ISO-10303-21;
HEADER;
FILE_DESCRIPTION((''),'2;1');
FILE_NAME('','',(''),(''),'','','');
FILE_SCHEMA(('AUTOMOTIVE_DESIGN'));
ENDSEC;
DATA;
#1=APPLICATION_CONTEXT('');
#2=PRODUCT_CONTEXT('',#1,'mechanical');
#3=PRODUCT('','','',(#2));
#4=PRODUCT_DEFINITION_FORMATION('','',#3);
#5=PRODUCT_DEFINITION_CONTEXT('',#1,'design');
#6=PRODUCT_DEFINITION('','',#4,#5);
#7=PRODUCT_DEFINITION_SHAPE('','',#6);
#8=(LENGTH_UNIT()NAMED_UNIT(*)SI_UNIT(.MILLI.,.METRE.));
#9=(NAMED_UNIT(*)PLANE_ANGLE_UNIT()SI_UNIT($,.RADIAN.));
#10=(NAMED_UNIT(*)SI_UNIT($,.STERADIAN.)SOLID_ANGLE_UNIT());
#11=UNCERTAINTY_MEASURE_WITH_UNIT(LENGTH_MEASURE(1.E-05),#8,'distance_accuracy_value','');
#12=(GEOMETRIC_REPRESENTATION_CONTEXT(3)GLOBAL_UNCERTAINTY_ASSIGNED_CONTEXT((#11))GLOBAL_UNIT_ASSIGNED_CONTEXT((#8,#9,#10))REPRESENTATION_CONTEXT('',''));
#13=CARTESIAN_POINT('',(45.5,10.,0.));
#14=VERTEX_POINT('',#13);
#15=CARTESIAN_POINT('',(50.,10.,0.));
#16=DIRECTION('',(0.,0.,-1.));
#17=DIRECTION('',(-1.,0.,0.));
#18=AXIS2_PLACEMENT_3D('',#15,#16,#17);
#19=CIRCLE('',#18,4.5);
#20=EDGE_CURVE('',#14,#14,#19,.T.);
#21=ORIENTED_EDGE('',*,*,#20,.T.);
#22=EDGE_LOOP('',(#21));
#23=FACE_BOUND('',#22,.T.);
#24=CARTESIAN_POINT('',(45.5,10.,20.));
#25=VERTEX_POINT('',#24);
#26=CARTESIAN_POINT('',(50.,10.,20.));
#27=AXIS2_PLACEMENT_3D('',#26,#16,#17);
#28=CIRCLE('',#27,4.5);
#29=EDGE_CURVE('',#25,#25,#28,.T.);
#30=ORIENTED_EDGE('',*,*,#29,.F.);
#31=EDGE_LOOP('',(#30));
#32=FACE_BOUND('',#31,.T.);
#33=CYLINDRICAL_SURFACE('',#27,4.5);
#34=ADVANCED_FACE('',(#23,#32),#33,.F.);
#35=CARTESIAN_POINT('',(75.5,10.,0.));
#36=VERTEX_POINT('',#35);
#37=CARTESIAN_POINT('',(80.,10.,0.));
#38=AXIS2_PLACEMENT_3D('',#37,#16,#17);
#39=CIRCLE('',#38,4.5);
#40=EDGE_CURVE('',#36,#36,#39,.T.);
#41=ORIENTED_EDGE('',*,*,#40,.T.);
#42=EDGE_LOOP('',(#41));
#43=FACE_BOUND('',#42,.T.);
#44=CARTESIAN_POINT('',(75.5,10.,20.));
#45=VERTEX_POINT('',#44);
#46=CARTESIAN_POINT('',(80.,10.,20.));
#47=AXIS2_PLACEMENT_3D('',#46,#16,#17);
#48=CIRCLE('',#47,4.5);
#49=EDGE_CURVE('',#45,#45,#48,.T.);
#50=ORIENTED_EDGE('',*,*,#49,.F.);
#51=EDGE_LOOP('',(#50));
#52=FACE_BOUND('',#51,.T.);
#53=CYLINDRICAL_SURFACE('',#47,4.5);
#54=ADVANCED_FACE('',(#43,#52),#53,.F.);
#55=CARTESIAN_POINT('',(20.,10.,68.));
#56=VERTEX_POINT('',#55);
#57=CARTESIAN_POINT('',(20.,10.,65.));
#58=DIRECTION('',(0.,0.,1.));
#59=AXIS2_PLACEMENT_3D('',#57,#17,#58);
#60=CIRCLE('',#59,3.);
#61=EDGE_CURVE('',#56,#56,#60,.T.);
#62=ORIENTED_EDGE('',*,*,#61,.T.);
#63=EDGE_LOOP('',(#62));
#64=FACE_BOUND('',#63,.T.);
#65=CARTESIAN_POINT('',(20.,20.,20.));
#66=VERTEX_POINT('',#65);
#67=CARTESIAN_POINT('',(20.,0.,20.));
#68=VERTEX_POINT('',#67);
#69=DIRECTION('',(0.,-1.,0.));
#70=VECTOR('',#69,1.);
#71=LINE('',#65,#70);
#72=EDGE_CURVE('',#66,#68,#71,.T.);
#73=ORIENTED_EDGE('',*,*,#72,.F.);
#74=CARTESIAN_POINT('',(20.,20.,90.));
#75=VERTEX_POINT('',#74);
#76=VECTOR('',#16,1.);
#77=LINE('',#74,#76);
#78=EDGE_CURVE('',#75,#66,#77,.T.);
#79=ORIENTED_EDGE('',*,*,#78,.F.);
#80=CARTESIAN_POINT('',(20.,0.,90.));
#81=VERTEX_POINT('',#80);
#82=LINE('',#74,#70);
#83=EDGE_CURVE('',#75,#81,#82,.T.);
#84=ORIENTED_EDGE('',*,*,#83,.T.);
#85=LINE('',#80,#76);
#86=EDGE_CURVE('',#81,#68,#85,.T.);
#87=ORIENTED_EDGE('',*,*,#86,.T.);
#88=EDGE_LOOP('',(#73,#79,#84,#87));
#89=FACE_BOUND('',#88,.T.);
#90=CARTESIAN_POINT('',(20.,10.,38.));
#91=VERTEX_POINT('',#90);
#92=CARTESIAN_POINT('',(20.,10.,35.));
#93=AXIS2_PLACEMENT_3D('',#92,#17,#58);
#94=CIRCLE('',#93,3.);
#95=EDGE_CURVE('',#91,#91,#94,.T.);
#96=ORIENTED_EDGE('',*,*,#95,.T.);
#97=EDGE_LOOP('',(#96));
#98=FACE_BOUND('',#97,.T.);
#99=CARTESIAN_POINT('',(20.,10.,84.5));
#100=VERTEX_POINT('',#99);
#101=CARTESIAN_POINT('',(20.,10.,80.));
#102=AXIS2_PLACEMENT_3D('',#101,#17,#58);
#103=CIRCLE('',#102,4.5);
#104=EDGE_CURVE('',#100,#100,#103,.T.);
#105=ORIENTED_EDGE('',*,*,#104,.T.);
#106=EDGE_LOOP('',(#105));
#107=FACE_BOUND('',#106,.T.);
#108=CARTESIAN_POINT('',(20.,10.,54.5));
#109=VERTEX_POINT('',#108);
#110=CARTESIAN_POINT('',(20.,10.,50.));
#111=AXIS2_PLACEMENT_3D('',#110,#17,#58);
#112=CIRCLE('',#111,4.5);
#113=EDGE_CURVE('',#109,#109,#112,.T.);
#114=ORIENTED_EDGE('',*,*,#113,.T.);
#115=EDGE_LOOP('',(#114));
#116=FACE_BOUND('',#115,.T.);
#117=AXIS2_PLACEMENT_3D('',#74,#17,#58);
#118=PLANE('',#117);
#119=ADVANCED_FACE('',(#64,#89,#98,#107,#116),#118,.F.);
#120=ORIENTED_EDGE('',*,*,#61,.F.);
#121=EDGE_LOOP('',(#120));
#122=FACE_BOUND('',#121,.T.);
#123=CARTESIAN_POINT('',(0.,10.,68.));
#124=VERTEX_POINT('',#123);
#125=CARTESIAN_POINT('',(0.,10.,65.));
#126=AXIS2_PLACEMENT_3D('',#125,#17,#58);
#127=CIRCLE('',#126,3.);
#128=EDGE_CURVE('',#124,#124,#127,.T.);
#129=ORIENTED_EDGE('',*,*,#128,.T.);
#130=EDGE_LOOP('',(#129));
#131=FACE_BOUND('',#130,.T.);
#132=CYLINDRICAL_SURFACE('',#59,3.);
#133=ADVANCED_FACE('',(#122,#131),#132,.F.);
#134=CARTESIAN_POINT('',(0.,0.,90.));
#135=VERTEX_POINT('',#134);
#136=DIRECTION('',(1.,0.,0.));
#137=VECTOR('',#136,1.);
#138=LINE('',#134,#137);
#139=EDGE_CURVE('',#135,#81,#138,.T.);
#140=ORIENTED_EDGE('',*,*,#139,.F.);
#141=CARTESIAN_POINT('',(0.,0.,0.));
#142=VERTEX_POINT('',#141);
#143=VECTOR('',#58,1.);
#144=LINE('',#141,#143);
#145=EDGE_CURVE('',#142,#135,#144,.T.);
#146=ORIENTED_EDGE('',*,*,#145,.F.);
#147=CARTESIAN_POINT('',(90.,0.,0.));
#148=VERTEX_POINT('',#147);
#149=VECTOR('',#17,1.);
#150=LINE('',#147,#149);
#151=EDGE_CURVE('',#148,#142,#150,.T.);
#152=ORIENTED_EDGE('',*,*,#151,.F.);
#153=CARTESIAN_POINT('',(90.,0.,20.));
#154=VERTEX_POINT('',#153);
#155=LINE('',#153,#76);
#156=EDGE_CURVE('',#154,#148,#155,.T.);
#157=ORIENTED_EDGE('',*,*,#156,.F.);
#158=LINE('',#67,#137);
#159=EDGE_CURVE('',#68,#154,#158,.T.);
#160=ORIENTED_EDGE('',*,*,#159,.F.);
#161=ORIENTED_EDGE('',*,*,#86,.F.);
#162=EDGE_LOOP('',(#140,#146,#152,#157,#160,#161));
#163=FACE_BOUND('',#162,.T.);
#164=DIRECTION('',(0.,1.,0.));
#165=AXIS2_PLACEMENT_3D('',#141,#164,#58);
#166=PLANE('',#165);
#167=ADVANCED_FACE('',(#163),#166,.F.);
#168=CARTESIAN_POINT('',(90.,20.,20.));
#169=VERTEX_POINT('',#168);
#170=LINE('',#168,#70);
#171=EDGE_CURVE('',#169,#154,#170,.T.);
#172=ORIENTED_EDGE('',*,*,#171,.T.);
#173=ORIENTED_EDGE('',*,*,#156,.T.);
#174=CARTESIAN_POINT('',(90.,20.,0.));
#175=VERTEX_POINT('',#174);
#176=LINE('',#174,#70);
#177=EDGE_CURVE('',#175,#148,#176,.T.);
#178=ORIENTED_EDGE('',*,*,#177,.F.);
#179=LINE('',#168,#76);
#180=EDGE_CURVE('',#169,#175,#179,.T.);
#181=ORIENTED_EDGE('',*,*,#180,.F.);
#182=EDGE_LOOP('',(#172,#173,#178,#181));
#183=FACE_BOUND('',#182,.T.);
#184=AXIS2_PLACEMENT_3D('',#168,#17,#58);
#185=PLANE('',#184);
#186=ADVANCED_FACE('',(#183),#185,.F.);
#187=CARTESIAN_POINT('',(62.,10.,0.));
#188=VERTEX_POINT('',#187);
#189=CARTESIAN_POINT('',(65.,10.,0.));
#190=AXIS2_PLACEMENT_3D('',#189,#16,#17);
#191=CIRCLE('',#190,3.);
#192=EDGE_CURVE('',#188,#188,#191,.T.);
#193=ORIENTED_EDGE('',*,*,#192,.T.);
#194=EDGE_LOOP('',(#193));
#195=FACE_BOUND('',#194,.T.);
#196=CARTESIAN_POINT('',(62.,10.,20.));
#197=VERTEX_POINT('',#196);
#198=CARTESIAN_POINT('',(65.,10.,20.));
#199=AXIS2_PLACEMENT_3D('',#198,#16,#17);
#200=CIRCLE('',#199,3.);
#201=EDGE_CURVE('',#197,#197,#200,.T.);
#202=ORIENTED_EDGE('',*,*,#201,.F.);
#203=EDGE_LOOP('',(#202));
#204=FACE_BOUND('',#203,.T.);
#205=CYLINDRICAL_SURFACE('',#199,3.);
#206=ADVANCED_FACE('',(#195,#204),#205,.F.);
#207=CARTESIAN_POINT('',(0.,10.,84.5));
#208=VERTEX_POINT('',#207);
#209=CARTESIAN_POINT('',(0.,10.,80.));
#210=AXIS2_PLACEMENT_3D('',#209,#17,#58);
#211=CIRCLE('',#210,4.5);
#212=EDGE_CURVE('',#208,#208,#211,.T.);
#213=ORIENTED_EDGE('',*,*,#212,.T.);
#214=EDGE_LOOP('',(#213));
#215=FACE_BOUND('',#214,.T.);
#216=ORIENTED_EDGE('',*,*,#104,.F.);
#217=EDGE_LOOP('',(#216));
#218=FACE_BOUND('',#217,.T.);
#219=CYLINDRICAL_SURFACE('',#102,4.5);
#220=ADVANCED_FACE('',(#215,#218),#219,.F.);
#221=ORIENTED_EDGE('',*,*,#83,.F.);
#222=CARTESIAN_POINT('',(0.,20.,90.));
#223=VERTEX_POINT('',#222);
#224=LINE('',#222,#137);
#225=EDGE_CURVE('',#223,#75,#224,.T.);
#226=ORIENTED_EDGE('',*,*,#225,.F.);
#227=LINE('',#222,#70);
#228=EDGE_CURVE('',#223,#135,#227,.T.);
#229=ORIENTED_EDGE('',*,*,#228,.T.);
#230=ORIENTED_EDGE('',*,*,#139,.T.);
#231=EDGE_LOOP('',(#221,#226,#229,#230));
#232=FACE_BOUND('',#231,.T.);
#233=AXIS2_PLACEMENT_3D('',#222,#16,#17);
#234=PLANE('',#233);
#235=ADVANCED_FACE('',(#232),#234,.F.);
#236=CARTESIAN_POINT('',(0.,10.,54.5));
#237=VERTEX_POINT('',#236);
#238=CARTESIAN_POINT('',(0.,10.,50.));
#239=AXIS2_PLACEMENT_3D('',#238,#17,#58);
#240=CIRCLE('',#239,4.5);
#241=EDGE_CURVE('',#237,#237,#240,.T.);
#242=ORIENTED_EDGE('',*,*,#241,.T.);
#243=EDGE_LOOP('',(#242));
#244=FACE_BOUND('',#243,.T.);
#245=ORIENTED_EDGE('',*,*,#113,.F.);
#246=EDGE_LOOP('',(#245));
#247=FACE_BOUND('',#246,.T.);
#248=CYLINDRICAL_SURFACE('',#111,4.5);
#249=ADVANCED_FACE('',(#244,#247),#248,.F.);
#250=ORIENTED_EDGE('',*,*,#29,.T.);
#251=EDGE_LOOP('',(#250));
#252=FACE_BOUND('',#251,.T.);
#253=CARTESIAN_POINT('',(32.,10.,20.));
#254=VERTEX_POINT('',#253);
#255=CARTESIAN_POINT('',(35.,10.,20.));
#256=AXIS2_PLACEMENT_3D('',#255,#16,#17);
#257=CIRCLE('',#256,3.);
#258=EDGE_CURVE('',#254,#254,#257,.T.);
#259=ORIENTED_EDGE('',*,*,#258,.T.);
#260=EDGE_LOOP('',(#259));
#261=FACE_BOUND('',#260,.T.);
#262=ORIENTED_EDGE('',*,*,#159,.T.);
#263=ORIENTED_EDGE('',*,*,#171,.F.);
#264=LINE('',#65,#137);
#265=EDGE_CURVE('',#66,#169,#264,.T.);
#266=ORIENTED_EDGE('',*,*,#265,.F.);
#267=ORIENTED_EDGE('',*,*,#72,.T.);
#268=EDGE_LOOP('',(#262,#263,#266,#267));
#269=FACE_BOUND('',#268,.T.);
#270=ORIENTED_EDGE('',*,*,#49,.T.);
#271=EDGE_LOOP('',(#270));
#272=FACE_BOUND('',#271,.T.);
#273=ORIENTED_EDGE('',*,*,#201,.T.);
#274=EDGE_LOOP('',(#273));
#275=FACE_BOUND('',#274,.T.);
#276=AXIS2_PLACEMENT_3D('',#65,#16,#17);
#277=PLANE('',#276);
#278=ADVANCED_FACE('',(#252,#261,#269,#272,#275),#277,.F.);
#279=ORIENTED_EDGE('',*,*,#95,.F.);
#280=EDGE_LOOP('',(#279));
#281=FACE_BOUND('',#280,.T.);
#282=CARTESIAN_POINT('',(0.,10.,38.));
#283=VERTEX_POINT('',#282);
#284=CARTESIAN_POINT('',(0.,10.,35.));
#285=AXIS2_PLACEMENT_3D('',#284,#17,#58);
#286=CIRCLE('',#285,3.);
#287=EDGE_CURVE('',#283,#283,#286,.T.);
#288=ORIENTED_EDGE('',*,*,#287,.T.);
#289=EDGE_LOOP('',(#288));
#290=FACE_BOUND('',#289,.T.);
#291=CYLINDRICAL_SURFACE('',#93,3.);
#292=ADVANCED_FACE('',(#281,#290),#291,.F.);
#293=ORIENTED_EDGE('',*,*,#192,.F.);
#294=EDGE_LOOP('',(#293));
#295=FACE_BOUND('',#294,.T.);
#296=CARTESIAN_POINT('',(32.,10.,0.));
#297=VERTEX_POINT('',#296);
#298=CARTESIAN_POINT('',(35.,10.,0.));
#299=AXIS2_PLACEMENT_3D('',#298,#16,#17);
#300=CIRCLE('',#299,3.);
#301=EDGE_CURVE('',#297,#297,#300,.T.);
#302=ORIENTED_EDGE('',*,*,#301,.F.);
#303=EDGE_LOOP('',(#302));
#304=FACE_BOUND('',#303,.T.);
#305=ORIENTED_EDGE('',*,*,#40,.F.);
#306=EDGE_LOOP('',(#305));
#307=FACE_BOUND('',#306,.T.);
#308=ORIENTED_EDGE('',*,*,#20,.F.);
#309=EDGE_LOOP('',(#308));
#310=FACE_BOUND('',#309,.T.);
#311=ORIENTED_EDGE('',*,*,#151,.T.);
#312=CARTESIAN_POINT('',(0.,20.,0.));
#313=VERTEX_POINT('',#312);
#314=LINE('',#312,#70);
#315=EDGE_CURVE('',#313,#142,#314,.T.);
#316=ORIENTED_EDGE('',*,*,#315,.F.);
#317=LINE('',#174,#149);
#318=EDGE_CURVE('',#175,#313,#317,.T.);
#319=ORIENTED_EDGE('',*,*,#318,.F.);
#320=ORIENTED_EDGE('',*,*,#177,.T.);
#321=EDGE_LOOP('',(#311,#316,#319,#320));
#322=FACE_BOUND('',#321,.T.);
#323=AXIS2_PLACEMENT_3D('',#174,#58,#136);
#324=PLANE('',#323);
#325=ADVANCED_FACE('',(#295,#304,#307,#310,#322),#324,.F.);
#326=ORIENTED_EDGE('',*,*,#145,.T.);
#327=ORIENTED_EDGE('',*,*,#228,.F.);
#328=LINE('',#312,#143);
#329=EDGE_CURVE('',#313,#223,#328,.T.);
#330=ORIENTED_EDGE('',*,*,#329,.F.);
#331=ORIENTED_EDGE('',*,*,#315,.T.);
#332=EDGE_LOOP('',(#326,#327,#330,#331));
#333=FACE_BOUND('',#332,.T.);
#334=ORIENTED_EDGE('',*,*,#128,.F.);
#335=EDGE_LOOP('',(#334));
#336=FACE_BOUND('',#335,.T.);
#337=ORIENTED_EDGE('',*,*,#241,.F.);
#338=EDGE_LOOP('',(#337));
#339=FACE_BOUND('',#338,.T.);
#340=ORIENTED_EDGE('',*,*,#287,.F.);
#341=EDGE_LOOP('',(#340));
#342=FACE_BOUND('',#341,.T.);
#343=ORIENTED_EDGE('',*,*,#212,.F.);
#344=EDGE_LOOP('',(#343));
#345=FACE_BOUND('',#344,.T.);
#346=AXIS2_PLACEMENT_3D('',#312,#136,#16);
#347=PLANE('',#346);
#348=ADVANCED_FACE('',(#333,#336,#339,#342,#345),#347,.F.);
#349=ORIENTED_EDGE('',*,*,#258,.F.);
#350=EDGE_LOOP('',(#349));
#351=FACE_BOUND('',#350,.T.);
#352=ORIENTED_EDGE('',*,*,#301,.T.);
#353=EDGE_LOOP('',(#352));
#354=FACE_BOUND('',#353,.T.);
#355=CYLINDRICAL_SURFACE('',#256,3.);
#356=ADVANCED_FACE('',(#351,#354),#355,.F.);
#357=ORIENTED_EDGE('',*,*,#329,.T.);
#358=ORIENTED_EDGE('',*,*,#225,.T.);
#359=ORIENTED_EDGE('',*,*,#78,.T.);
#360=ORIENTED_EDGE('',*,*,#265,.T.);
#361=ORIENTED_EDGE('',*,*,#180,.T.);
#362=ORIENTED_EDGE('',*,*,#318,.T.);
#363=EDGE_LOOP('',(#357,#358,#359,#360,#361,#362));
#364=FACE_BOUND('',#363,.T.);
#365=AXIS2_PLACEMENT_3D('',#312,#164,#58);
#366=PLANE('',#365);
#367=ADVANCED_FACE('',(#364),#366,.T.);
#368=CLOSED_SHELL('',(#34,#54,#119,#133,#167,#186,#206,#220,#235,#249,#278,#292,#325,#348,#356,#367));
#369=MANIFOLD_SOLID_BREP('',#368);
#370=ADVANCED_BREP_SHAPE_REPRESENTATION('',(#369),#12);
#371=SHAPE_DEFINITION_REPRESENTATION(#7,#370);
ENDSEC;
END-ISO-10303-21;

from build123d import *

# Parameters (mm, degrees)
EXTRUDE_1_DEPTH     = 20
SKETCH_2_R          = 3
SKETCH_2_R_2        = 4.5
CUT_EXTRUDE_1_DEPTH = 20
SKETCH_3_R          = 3
SKETCH_3_R_2        = 4.5
CUT_EXTRUDE_2_DEPTH = 20


with BuildPart() as part:
    # 草图1 → 凸台-拉伸1 (new body)
    with BuildSketch(Plane(origin=(0, 0, 0), x_dir=(1, 0, 0), z_dir=(0, 1, 0))):
        Polygon((0, 0), (0, -90), (20, -90), (20, -20), (90, -20), (90, 0), align=None)
    extrude(amount=EXTRUDE_1_DEPTH)

    # 草图2 → 切除-拉伸1 (cut)
    with BuildSketch(Plane.ZY):
        with Locations((35, 10)):
            Circle(SKETCH_2_R)
        with Locations((50, 10)):
            Circle(SKETCH_2_R_2)
        with Locations((65, 10)):
            Circle(SKETCH_2_R)
        with Locations((80, 10)):
            Circle(SKETCH_2_R_2)
    extrude(amount=-CUT_EXTRUDE_1_DEPTH, mode=Mode.SUBTRACT)

    # 草图3 → 切除-拉伸2 (cut)
    with BuildSketch(Plane(origin=(0, 0, 0), x_dir=(-1, 0, 0), z_dir=(0, 0, -1))):
        with Locations((-35, 10)):
            Circle(SKETCH_3_R)
        with Locations((-50, 10)):
            Circle(SKETCH_3_R_2)
        with Locations((-65, 10)):
            Circle(SKETCH_3_R)
        with Locations((-80, 10)):
            Circle(SKETCH_3_R_2)
    extrude(amount=-CUT_EXTRUDE_2_DEPTH, mode=Mode.SUBTRACT)


solid = part.part
